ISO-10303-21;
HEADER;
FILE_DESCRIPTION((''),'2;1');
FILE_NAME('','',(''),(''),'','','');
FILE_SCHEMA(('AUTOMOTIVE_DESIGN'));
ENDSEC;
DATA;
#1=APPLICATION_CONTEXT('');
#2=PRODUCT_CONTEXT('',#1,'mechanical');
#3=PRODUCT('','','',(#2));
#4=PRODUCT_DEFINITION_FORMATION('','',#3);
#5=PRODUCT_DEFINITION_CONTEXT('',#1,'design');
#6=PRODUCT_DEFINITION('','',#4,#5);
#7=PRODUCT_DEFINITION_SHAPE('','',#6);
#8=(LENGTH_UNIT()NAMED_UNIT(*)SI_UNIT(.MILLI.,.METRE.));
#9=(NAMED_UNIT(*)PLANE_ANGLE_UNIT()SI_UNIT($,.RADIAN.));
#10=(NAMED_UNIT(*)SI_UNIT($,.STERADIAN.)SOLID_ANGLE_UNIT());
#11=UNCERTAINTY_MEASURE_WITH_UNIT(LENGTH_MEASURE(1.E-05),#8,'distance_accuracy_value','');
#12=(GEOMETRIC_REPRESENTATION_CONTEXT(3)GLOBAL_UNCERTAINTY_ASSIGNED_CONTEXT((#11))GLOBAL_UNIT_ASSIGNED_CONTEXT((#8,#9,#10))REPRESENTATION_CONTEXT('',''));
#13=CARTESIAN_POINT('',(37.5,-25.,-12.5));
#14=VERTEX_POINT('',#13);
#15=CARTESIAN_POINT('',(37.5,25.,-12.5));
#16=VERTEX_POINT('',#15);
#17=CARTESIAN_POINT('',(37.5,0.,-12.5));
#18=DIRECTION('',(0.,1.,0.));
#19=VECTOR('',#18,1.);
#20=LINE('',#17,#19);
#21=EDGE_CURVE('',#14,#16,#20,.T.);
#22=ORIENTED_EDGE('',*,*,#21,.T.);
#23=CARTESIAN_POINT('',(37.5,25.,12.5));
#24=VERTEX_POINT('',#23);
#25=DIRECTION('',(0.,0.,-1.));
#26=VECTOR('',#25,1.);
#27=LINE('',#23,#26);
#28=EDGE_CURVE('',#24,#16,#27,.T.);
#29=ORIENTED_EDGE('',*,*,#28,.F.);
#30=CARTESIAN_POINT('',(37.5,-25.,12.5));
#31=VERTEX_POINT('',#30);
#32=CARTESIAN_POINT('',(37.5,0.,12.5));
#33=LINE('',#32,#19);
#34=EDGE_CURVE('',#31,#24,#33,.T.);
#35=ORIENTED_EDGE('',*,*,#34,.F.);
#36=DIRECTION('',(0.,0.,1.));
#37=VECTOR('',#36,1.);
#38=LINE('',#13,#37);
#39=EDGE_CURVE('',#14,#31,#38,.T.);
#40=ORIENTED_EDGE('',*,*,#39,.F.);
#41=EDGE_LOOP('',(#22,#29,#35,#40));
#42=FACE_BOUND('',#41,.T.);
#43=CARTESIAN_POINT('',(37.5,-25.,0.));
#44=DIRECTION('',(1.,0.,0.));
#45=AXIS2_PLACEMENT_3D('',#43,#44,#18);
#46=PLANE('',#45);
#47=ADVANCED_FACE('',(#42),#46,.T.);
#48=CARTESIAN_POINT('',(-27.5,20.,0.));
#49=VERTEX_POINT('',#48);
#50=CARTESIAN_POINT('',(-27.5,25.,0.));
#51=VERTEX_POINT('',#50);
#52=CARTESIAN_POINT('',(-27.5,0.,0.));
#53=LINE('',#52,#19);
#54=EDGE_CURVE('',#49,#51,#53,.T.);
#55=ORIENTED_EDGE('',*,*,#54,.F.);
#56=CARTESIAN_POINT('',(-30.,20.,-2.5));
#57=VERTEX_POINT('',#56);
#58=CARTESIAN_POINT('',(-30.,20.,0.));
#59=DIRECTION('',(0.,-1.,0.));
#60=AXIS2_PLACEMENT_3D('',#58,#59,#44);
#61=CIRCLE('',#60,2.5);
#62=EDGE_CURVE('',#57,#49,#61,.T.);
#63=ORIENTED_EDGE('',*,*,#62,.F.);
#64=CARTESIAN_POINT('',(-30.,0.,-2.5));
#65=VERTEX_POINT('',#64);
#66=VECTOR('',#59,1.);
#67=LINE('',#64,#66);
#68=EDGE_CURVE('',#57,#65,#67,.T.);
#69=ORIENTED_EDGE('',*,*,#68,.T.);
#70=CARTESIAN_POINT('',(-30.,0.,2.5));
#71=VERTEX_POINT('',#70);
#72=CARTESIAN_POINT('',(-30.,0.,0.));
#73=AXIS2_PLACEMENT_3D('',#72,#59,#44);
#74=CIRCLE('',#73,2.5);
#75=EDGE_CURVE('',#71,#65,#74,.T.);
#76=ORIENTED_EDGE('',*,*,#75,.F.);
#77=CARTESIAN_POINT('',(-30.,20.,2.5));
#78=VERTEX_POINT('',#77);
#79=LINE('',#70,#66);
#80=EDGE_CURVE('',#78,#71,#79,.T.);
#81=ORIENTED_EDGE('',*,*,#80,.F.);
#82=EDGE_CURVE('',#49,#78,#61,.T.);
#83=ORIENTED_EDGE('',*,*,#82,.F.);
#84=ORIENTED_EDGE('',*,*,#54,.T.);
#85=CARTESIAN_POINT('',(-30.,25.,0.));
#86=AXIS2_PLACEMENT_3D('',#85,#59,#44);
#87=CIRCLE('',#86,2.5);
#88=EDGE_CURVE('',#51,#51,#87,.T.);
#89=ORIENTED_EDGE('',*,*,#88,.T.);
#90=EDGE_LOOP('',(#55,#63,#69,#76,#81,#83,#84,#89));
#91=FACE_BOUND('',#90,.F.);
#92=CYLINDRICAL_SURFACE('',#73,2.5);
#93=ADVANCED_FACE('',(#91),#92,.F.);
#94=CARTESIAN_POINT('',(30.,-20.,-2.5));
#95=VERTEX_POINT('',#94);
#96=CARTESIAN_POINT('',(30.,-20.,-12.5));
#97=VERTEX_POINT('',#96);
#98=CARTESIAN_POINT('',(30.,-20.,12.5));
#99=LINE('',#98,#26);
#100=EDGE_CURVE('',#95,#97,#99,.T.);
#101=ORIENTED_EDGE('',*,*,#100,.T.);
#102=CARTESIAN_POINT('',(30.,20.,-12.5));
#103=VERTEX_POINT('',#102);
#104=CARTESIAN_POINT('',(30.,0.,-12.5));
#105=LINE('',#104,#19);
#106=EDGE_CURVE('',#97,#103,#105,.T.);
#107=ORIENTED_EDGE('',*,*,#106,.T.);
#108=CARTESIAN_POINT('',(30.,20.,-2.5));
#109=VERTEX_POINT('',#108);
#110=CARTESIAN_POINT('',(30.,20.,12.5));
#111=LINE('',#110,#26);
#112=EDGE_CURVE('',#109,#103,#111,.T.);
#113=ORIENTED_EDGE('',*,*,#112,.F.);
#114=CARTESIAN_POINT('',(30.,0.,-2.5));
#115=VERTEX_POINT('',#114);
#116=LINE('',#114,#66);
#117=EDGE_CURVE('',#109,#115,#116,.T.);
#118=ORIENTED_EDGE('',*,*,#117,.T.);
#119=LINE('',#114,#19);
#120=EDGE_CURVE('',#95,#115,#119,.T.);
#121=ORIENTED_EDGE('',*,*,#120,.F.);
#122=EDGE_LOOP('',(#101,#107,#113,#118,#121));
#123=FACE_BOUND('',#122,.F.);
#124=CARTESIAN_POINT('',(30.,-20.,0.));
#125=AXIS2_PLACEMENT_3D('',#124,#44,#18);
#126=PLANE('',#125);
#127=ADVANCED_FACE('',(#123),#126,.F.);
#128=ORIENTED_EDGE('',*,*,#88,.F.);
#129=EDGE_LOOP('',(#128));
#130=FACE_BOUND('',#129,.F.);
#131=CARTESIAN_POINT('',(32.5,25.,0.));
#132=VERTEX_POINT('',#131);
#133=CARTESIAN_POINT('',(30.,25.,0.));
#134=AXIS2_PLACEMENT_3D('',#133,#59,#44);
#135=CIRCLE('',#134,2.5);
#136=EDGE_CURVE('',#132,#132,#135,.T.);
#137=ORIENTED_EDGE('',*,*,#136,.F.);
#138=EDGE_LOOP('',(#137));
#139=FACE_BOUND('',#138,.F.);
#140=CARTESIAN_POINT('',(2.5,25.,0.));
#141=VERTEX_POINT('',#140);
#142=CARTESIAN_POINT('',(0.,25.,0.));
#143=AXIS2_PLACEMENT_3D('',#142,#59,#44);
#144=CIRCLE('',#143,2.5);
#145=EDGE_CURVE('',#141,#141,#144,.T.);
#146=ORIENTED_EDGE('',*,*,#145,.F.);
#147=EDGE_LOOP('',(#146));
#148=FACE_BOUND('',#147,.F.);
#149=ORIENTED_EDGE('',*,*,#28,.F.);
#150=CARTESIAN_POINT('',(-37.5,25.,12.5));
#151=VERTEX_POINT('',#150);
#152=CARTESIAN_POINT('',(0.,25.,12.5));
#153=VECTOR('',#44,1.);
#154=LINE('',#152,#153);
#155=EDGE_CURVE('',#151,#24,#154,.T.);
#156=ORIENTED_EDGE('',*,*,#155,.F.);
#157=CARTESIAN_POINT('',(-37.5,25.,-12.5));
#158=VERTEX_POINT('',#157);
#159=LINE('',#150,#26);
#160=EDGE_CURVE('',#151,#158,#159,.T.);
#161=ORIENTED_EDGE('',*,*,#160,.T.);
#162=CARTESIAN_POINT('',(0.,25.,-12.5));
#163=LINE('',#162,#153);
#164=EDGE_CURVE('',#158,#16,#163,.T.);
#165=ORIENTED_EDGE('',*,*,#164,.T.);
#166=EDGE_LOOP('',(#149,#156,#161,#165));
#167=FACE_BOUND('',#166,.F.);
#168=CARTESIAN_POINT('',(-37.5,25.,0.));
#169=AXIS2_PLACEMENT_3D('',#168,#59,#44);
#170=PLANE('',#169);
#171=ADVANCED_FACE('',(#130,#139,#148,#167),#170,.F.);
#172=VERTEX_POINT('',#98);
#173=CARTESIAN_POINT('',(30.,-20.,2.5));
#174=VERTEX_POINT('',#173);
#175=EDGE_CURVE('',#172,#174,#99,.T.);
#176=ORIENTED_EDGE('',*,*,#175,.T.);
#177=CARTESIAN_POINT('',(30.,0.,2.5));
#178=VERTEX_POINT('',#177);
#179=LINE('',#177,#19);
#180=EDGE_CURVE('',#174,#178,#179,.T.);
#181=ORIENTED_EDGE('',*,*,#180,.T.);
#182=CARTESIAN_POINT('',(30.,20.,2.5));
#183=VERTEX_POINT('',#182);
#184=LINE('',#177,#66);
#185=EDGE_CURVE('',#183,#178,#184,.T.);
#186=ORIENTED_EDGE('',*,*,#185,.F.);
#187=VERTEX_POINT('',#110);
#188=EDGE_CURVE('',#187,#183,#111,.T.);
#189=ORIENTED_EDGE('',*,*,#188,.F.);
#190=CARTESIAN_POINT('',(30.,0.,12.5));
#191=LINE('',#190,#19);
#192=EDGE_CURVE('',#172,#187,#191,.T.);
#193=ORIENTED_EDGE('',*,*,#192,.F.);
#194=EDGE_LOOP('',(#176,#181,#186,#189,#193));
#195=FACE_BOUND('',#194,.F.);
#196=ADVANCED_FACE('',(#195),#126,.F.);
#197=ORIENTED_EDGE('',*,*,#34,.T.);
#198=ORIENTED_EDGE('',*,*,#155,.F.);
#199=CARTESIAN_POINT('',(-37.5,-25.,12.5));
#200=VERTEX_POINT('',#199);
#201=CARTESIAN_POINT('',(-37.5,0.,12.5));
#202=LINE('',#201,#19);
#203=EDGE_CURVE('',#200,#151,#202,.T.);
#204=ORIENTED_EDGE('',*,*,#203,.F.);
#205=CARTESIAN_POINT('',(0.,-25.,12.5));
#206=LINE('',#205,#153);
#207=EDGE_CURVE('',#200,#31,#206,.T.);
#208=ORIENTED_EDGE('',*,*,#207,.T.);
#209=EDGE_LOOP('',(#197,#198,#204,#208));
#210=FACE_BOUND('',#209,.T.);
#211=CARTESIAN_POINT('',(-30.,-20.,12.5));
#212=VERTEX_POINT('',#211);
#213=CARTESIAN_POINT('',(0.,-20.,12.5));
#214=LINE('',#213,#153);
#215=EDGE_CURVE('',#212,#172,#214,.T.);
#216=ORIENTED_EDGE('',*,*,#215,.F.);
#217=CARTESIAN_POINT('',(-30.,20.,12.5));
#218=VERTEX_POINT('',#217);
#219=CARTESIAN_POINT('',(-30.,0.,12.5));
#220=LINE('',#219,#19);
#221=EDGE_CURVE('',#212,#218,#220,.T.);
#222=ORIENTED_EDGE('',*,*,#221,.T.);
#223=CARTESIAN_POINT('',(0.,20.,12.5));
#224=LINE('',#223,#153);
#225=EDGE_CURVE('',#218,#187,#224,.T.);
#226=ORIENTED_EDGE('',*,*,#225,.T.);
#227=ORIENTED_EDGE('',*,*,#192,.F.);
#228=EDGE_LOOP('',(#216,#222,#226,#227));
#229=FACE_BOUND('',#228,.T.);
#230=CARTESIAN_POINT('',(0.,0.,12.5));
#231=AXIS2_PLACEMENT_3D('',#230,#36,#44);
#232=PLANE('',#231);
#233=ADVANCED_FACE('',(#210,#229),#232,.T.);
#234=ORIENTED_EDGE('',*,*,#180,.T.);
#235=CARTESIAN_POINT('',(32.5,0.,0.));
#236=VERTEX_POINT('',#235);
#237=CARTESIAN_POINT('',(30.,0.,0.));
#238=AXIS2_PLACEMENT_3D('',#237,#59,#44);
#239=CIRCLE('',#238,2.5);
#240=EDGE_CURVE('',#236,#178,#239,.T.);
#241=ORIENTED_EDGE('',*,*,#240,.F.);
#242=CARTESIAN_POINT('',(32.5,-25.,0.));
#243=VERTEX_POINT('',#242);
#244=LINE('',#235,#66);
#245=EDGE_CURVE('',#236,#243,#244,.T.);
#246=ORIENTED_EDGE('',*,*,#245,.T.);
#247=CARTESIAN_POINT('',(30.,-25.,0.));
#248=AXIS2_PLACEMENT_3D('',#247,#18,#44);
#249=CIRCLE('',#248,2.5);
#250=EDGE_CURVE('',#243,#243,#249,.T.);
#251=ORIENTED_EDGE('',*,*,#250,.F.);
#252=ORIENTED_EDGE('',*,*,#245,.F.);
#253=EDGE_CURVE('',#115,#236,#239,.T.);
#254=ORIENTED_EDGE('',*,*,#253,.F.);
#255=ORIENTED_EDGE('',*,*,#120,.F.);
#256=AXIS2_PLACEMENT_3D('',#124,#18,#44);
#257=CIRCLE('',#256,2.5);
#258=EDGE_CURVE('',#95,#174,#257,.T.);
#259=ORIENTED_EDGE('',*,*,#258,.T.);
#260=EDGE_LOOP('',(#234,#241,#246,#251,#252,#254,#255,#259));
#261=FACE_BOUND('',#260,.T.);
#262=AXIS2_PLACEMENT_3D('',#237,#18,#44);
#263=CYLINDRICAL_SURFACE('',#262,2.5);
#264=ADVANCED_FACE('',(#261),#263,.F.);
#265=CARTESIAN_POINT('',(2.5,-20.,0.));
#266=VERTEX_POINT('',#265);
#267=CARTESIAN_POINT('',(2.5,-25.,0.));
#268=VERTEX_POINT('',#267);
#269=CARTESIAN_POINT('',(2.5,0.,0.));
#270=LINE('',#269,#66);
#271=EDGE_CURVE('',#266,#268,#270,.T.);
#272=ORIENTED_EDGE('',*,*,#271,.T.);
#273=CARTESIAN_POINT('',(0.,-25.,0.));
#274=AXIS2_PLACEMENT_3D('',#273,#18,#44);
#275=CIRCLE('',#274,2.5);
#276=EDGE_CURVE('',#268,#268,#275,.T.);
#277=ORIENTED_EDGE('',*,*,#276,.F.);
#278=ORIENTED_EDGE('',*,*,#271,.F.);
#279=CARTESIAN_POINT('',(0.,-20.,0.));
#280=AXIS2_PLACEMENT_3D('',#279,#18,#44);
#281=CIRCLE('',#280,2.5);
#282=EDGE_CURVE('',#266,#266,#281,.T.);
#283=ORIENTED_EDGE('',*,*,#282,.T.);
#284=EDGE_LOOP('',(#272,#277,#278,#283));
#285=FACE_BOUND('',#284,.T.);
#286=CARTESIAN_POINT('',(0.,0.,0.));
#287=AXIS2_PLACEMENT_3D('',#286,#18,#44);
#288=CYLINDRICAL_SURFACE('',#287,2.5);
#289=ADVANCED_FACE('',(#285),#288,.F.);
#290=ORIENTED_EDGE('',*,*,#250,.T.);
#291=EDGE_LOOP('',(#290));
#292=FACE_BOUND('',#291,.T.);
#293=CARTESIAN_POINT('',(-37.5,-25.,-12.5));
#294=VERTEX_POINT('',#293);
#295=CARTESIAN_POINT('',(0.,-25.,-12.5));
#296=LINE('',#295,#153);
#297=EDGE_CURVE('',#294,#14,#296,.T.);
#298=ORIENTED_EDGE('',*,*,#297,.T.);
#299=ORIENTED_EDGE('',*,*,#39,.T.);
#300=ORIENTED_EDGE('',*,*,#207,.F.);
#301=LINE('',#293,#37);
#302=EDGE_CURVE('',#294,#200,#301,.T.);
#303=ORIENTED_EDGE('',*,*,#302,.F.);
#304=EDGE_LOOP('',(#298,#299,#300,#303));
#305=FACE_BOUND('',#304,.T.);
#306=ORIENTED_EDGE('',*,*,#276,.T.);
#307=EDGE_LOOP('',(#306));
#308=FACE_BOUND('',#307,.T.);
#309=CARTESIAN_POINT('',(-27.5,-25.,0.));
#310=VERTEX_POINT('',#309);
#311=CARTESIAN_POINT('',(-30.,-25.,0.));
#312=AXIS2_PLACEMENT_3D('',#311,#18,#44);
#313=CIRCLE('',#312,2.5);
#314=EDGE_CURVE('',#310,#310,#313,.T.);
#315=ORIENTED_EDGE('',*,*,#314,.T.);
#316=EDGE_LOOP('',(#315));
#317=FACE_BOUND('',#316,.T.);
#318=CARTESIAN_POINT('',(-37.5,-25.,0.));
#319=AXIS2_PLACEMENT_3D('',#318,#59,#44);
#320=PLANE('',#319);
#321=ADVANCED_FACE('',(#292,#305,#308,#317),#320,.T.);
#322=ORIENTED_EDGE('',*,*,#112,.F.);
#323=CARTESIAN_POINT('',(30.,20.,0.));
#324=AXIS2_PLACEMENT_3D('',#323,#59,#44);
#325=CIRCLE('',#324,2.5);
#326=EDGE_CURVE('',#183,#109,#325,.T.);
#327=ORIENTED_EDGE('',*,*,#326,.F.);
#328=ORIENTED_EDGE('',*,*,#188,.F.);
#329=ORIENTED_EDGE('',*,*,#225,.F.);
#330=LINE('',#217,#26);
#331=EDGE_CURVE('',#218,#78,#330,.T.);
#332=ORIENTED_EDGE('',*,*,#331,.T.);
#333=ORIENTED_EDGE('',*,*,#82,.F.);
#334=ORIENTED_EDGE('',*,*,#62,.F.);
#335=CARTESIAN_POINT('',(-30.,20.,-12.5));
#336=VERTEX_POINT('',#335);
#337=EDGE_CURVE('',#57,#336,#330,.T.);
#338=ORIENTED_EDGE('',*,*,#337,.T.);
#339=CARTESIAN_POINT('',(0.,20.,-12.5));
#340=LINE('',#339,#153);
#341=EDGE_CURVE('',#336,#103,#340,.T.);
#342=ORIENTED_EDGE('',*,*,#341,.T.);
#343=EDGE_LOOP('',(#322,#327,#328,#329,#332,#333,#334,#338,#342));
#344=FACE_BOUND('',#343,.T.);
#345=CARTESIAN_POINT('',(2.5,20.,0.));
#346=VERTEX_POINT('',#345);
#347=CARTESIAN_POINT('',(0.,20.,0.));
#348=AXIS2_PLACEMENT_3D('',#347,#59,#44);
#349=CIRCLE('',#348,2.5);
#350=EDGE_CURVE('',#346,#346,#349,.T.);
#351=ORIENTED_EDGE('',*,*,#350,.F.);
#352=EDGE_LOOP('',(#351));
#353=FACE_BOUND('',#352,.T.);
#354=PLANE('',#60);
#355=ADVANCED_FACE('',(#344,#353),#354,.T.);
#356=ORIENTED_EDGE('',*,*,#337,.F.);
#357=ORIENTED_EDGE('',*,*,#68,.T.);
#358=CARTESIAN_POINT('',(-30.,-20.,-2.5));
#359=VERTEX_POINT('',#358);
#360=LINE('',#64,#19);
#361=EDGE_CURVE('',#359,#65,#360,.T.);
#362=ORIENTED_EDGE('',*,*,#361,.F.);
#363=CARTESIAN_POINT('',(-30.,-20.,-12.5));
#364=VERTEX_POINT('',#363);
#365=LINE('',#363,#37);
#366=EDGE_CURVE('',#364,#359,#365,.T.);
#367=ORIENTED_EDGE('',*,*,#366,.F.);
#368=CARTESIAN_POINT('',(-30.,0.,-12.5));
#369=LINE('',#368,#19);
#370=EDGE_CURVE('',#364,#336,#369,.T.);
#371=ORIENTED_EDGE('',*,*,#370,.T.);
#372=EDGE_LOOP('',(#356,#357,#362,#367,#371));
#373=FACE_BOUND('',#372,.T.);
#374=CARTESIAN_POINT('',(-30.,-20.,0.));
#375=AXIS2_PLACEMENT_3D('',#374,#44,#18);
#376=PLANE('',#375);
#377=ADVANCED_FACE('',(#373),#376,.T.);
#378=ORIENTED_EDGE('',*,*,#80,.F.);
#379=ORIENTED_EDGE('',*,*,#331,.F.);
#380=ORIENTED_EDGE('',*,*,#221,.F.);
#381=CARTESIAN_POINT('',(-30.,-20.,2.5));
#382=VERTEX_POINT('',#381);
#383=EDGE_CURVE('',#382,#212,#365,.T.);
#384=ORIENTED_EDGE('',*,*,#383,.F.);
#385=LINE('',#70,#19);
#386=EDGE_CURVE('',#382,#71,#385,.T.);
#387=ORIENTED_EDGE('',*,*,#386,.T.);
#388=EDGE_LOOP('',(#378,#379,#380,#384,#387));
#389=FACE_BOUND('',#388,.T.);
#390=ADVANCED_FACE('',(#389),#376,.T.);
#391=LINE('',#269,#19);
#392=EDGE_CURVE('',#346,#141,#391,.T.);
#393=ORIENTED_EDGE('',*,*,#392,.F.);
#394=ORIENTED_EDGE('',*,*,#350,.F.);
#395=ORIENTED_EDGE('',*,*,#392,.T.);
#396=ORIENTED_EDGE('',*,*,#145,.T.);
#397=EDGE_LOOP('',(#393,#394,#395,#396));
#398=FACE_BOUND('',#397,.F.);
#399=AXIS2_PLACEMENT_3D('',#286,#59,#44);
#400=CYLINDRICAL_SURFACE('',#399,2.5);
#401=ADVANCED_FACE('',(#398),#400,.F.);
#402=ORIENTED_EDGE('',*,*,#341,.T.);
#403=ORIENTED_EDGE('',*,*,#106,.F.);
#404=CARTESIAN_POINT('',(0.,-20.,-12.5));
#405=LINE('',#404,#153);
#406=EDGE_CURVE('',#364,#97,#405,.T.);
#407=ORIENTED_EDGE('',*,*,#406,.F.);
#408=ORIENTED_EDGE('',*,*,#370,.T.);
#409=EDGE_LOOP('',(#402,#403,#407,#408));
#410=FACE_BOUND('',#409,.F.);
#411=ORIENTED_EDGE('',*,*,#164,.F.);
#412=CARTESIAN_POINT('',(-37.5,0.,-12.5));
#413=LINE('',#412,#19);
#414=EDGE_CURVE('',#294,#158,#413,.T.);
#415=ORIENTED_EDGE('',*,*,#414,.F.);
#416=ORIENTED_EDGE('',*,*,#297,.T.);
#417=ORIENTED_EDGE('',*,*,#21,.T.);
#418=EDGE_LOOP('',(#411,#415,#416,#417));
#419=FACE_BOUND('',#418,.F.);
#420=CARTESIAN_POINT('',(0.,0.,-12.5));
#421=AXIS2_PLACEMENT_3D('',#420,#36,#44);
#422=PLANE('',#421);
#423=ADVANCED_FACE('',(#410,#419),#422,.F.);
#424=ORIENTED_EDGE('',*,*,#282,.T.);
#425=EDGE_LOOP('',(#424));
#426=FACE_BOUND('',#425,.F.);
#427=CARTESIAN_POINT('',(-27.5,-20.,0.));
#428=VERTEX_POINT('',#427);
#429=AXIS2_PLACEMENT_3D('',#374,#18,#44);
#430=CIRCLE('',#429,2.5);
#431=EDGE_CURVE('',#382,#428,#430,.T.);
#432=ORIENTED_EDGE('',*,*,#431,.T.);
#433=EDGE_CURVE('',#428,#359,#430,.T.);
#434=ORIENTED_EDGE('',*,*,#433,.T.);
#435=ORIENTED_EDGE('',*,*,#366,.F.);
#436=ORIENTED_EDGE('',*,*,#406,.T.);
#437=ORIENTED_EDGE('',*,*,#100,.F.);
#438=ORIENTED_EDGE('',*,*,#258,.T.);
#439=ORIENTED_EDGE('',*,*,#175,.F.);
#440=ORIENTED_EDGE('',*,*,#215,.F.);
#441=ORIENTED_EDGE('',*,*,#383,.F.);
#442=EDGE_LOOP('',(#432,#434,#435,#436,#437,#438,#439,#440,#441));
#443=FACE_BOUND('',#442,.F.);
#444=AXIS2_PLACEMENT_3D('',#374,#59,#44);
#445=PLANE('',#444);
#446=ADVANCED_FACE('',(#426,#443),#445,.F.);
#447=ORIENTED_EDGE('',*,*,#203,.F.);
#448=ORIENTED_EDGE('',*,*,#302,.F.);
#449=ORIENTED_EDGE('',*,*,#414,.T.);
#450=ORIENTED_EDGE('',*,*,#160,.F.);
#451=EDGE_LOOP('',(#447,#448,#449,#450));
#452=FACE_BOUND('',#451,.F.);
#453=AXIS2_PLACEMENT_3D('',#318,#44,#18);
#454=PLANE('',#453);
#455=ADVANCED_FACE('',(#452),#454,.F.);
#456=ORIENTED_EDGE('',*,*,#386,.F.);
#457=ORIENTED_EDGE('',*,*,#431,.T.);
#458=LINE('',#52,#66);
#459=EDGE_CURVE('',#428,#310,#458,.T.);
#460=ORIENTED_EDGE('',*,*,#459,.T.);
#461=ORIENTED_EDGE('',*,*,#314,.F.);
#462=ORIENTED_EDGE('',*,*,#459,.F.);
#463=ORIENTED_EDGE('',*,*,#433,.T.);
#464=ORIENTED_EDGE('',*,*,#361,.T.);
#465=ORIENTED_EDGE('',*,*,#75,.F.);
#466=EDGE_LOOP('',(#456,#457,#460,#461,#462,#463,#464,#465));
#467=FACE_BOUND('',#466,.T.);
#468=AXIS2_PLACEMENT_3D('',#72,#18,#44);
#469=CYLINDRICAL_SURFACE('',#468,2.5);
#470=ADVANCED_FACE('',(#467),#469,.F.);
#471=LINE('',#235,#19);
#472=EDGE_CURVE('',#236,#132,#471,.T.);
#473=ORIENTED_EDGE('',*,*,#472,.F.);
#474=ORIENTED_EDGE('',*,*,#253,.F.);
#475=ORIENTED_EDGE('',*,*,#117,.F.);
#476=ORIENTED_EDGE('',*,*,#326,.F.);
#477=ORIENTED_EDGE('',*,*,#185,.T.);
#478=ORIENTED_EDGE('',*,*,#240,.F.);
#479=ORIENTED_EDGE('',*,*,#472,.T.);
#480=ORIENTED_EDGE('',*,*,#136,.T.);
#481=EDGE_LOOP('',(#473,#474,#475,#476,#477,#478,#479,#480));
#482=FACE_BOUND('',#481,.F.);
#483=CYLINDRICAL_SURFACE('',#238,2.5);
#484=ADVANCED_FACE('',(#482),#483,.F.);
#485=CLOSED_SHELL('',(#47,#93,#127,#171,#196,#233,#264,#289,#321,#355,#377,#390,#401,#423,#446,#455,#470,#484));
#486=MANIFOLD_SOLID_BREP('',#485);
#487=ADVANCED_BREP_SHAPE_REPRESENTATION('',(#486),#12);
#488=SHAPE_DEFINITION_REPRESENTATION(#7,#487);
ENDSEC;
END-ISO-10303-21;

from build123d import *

# Parameters (mm, degrees)
F0_W          = 75
F0_H          = 50
F0_W_2        = 60
F0_H_2        = 40
F1_DEPTH      = 12.5
F2_R          = 2.5
F3_DEPTH      = 25.001
F3_DEPTH_BACK = 25.001


with BuildPart() as f1:
    # F0 (on Top) → F1 (new body, symmetric)
    with BuildSketch(Plane.XY):
        Rectangle(F0_W, F0_H)
        Rectangle(F0_W_2, F0_H_2, mode=Mode.SUBTRACT)
    extrude(amount=F1_DEPTH, both=True)

    # F2 (on Front) → F3 (cut, two sides)
    with BuildSketch(Plane.XZ) as f3_sk:
        with Locations((-30, 0)):
            Circle(F2_R)
        with Locations((30, 0)):
            Circle(F2_R)
        Circle(F2_R)
    extrude(amount=-F3_DEPTH, mode=Mode.SUBTRACT)
    extrude(f3_sk.sketch, amount=F3_DEPTH_BACK, mode=Mode.SUBTRACT)


solid = f1.part
